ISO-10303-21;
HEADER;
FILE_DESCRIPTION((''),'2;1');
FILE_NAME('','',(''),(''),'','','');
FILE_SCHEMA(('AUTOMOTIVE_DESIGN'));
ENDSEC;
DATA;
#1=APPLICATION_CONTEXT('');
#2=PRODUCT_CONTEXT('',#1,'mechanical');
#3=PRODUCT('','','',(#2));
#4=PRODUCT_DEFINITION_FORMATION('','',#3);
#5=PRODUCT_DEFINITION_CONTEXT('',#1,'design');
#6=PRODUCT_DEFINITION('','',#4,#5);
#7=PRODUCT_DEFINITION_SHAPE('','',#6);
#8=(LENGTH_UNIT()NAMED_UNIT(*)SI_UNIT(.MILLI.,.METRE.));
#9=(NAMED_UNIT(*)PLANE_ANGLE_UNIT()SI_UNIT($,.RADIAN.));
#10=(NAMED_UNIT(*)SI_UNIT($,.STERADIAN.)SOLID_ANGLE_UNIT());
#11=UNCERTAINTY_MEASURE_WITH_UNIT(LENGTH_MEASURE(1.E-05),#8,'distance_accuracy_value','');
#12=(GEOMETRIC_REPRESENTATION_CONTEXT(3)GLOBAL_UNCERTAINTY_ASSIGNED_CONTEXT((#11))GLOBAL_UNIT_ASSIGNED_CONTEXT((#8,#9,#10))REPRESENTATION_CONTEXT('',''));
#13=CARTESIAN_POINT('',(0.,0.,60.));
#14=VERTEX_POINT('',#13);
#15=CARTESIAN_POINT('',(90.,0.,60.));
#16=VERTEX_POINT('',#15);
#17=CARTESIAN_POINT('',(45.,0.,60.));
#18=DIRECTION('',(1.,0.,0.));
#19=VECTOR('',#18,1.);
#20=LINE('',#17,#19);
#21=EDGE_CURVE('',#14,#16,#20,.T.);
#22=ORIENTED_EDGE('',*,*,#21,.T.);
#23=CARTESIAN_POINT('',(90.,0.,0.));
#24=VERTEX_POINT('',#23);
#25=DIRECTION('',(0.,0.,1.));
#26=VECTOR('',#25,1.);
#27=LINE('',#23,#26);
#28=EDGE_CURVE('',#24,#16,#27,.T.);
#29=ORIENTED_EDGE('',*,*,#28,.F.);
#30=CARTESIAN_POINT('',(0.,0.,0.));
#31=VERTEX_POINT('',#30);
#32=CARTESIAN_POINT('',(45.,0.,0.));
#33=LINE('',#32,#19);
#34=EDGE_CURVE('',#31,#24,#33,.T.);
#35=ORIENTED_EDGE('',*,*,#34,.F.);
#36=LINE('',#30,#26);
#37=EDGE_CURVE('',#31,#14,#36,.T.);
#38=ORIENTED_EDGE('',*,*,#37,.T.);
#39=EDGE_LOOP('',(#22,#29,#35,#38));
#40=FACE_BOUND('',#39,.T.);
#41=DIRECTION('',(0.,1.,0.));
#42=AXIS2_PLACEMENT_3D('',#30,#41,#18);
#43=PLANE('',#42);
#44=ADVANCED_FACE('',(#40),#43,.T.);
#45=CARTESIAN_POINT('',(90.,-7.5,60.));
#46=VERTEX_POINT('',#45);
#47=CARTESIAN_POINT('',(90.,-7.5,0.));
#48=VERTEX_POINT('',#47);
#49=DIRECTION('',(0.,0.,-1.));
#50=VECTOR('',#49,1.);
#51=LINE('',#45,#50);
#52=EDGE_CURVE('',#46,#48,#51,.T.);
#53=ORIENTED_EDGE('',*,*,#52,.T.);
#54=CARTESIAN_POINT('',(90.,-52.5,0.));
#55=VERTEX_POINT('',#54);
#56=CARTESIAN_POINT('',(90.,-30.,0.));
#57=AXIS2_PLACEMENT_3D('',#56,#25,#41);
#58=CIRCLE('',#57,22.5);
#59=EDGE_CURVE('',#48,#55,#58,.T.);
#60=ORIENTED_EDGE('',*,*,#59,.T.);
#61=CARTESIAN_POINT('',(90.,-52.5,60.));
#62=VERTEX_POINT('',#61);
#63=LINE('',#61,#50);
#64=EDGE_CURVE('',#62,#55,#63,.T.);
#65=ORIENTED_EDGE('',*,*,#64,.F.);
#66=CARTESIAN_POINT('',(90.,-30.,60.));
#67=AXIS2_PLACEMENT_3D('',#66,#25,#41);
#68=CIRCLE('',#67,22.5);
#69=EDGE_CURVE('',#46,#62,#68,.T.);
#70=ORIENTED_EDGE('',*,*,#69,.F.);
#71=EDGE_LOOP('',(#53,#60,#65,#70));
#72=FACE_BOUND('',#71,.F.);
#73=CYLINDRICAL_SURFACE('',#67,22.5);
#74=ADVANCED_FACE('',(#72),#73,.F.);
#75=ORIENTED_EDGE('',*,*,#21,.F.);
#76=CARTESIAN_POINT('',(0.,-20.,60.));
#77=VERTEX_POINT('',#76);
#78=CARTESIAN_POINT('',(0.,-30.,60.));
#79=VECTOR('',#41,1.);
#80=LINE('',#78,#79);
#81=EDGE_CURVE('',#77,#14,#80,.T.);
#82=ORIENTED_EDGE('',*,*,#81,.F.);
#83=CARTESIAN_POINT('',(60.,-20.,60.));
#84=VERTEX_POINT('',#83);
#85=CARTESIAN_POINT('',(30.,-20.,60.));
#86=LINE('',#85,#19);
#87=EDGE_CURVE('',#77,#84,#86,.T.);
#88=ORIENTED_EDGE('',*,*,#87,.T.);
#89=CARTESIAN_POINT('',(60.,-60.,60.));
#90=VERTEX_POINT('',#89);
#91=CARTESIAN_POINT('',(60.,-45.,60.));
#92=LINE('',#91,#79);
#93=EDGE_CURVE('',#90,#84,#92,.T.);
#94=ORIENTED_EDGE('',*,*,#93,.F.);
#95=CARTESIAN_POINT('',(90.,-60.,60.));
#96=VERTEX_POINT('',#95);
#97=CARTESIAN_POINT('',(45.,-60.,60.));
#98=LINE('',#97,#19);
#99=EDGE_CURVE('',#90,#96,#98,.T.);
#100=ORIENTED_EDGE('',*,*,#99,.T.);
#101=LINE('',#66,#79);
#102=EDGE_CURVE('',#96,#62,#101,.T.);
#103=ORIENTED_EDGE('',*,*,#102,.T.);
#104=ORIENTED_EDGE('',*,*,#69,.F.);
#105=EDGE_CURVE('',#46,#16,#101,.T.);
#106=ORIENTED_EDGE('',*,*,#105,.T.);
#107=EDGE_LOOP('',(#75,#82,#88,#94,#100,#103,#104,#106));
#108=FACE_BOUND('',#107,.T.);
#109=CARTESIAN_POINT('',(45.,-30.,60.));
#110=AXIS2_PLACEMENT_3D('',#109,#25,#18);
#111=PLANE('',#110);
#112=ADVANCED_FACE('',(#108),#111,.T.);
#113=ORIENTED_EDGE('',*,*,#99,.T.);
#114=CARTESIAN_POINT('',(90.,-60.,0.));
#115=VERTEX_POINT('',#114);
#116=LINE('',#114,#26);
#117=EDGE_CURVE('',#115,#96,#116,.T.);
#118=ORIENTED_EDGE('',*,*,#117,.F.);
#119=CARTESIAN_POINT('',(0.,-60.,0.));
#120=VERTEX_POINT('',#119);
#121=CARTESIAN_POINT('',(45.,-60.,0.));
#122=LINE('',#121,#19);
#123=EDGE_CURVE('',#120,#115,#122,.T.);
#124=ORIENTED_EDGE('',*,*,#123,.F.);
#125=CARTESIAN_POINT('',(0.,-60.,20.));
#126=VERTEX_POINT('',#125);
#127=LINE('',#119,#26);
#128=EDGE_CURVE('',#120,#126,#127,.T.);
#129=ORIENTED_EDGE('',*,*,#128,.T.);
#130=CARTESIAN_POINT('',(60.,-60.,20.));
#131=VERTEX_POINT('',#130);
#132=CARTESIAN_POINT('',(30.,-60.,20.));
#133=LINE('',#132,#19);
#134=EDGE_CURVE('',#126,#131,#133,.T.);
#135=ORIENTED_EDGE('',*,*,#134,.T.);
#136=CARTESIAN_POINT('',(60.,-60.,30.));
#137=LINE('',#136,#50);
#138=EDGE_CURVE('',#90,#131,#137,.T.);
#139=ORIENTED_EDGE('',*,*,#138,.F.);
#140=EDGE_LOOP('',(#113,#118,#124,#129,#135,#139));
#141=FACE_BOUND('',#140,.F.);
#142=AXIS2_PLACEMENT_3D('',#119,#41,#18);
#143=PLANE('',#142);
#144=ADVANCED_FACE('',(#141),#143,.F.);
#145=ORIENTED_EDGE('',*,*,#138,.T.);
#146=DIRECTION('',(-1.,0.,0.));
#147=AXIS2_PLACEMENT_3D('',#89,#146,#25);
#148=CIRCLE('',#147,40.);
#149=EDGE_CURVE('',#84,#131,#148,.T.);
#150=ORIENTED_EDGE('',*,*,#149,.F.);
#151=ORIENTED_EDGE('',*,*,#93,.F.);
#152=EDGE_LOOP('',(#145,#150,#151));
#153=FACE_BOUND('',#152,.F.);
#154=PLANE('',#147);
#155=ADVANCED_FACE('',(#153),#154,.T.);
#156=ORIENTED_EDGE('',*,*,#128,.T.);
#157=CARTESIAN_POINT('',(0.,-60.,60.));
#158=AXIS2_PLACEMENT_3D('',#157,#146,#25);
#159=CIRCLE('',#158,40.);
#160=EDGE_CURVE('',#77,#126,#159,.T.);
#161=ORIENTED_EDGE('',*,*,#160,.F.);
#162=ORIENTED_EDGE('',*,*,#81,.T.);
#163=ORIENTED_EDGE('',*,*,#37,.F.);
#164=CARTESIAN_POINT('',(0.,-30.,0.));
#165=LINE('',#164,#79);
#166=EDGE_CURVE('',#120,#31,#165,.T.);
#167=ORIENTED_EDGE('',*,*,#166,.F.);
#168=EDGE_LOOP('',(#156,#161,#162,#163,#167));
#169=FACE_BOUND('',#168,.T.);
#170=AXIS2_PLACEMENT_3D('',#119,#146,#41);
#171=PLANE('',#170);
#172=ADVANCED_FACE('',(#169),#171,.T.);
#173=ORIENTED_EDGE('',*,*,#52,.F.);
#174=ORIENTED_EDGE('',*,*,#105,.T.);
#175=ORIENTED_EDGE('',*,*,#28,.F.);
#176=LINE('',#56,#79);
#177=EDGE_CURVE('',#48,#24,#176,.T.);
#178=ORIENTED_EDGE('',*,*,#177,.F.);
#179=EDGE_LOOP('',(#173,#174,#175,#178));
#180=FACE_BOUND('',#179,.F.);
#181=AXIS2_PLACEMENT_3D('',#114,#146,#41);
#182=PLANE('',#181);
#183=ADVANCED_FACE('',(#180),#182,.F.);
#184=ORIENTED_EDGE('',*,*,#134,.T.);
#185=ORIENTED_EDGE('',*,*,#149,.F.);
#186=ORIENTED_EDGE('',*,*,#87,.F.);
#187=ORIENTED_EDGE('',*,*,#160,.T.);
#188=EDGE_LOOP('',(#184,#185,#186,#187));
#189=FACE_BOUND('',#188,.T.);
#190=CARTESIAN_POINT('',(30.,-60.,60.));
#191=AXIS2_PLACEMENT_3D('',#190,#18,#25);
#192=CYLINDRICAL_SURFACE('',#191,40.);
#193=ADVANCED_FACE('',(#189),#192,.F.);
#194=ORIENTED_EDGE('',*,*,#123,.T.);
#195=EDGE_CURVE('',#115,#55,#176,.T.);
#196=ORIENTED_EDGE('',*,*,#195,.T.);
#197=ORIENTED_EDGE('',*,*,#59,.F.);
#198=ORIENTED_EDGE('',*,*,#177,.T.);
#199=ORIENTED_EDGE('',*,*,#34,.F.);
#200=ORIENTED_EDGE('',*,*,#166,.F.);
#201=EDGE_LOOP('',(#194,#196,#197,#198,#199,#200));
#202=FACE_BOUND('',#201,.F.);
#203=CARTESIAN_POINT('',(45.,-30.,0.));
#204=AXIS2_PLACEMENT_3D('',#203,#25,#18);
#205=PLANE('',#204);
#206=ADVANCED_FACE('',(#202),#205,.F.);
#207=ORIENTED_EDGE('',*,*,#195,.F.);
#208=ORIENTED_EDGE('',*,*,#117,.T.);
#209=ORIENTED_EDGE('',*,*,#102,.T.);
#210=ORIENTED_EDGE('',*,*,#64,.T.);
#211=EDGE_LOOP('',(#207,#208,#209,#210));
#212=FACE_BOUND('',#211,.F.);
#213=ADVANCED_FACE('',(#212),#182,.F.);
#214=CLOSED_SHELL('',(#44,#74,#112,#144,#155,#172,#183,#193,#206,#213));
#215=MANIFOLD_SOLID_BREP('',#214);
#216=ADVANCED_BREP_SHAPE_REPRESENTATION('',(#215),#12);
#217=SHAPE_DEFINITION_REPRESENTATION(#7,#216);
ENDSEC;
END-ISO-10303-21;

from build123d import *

# Parameters (mm, degrees)
F0_W     = 90
F0_H     = 60
F1_DEPTH = 60
F3_DEPTH = 60
F5_W     = 60
F5_H     = 40


with BuildPart() as f1:
    # F0 (on Top) → F1 (new body)
    with BuildSketch(Plane.XY):
        with Locations((45, -30)):
            Rectangle(F0_W, F0_H)
    extrude(amount=F1_DEPTH)

    # F2 (on face) → F3 (cut, through all)
    with BuildSketch(Plane.XY.offset(60)):
        with BuildLine():
            Line((90, -52.5), (90, -7.5))
            ThreePointArc((90, -7.5), (67.5, -30), (90, -52.5))
        make_face()
    extrude(amount=-F3_DEPTH, mode=Mode.SUBTRACT)

    # F5 (on face) → F6 (revolve, cut)
    with BuildSketch(Plane.XZ.offset(60)):
        with Locations((30, 80)):
            Rectangle(F5_W, F5_H)
    revolve(axis=Axis((45, -60, 60), (-1, 0, 0)), mode=Mode.SUBTRACT)


solid = f1.part
